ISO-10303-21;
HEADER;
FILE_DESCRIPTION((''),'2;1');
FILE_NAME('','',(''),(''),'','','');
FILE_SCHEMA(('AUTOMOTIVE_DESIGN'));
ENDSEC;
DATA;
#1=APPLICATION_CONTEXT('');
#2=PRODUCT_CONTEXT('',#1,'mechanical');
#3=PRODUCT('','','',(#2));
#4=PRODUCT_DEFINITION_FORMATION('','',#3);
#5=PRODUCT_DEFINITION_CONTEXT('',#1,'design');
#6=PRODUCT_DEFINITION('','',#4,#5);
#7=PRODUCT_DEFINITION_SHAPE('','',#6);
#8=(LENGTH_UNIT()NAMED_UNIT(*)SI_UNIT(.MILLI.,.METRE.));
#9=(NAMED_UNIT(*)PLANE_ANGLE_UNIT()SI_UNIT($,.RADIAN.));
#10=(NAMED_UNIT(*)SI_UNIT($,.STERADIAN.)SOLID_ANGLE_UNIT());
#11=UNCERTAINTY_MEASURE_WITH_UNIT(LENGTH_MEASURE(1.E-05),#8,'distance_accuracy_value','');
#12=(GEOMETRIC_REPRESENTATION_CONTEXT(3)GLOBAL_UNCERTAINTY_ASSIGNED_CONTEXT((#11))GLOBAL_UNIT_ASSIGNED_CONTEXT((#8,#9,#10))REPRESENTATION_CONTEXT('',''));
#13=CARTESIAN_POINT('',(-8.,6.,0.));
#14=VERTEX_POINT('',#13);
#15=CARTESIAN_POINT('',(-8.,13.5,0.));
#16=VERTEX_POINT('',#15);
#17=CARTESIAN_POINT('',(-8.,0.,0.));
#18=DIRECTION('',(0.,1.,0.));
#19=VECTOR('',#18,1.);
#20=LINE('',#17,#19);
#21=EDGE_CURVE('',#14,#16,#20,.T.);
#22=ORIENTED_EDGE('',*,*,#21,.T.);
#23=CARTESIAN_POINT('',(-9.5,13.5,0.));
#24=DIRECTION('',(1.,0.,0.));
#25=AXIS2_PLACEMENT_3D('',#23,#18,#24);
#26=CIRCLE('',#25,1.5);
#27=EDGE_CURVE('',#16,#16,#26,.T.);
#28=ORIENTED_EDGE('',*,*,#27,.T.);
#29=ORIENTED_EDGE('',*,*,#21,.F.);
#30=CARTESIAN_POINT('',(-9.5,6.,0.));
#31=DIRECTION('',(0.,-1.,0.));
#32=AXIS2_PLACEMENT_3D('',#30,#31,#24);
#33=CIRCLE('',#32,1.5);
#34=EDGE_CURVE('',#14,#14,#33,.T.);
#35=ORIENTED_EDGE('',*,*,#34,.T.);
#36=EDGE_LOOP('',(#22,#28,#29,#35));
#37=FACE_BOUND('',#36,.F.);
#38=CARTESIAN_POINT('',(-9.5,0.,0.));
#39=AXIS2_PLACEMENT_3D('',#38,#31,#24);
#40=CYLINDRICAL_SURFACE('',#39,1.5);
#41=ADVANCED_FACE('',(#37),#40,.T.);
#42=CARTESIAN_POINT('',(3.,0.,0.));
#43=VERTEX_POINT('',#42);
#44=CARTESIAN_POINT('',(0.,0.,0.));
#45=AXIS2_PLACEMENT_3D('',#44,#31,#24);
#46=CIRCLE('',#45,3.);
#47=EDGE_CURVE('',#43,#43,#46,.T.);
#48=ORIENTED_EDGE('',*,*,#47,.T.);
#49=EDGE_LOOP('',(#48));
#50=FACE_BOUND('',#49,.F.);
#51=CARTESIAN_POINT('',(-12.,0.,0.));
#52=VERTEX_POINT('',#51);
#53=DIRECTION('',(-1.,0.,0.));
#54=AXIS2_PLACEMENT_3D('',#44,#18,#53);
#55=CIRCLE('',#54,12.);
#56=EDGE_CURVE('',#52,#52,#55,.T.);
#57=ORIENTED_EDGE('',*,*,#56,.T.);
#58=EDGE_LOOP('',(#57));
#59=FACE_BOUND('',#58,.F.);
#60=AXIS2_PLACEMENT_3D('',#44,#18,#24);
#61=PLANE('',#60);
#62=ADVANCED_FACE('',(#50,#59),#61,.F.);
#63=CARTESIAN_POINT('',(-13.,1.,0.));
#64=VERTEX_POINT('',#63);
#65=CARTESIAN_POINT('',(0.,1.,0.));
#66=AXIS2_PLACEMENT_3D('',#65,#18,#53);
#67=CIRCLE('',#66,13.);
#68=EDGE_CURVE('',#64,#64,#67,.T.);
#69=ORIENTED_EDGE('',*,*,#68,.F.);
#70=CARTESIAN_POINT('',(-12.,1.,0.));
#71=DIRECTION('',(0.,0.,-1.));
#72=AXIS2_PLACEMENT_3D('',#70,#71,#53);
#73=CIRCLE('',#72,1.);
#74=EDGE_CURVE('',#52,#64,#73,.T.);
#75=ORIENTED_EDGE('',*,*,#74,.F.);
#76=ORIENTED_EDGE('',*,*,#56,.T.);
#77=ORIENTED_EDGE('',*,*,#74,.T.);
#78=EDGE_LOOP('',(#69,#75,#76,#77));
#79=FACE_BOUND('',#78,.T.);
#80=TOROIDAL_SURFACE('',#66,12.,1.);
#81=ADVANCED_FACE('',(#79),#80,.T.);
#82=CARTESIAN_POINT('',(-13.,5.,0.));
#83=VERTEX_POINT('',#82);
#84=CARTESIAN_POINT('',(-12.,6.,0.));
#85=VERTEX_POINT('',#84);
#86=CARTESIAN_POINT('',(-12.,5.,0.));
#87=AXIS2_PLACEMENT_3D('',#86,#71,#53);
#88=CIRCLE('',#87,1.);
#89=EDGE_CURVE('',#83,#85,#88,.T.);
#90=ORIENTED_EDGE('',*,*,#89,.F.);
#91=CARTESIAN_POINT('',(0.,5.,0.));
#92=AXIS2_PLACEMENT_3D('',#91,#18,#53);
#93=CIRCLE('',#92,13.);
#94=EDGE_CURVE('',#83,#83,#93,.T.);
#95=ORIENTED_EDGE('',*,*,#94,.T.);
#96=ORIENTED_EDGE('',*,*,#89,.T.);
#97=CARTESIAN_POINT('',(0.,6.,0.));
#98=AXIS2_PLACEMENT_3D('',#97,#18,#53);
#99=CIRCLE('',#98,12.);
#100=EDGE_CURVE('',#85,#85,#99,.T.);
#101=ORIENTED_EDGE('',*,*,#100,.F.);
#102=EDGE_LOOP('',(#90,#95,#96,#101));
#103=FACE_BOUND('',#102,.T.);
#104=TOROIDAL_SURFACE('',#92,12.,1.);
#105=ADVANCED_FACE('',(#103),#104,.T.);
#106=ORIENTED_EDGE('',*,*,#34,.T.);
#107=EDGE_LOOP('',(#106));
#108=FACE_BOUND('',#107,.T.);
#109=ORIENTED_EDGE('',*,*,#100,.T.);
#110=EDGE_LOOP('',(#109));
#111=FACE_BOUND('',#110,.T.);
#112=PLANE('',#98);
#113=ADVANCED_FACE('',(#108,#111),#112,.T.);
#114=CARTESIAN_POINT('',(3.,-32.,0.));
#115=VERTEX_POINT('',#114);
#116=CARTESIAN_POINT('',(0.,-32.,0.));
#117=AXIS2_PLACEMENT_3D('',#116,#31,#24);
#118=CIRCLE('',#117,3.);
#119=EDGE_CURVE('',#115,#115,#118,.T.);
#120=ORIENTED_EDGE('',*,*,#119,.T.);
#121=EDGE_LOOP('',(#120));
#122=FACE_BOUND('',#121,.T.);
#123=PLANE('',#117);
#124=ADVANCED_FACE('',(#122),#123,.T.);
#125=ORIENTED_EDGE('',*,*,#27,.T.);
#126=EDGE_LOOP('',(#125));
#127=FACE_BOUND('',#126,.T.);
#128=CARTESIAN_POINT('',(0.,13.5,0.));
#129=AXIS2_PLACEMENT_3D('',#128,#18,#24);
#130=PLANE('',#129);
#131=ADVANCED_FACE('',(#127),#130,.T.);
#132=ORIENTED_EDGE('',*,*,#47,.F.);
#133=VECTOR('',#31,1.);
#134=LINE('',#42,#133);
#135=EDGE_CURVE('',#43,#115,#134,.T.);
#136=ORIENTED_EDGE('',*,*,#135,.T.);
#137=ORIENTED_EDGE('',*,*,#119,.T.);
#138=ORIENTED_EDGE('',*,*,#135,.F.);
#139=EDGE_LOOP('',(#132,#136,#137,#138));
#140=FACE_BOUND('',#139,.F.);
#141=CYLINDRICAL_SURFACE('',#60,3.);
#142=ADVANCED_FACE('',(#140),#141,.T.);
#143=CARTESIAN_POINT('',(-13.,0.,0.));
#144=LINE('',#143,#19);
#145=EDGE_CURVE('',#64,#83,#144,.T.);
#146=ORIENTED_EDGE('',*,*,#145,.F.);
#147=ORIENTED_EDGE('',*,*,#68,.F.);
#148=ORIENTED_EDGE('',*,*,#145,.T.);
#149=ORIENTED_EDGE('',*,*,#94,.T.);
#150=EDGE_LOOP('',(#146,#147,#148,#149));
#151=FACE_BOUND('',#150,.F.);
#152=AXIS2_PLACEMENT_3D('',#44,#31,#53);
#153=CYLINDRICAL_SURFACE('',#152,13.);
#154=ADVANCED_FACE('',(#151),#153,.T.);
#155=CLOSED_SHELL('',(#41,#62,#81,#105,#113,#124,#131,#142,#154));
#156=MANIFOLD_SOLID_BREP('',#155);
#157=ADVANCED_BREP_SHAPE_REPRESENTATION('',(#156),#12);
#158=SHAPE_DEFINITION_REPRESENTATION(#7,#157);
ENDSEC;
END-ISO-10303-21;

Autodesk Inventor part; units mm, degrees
ref_plane "YZ Plane" through (0, 0, 0) normal (1, 0, 0) x (0, 1, 0)
ref_plane "XZ Plane" through (0, 0, 0) normal (0, 1, 0) x (-1, 0, 0)
ref_plane "XY Plane" through (0, 0, 0) normal (0, 0, 1) x (1, 0, 0)
sketch "Skizze1" plane through (0, 0, 0) normal (0, 1, 0) x (-1, 0, 0)
  circle A0 centre (0, 0) radius 13
  dimension "d0" = 26
extrude "Extrusion1" add sketch "Skizze1" along normal blind 6
sketch "Skizze2" plane through (0, 0, 0) normal (0, -1, 0) x (1, 0, 0)
  circle A0 centre (0, 0) radius 3
  dimension "d3" = 6
extrude "Extrusion2" add sketch "Skizze2" along normal blind 32
sketch "Skizze3" plane through (0, 0, 0) normal (0, 1, 0) x (1, 0, 0)
  circle A0 centre (-9.5, 0) radius 1.5
  point P0 (0, 0)
  dimension "d6" = 3
  dimension "d7" = 9.5
extrude "Extrusion3" add sketch "Skizze3" along normal blind 13.5
fillet "Rundung1" radius 1 2 edges at (13, 0, 0) (13, 6, 0)
properties part number "handle" material "Stahl, weich"
